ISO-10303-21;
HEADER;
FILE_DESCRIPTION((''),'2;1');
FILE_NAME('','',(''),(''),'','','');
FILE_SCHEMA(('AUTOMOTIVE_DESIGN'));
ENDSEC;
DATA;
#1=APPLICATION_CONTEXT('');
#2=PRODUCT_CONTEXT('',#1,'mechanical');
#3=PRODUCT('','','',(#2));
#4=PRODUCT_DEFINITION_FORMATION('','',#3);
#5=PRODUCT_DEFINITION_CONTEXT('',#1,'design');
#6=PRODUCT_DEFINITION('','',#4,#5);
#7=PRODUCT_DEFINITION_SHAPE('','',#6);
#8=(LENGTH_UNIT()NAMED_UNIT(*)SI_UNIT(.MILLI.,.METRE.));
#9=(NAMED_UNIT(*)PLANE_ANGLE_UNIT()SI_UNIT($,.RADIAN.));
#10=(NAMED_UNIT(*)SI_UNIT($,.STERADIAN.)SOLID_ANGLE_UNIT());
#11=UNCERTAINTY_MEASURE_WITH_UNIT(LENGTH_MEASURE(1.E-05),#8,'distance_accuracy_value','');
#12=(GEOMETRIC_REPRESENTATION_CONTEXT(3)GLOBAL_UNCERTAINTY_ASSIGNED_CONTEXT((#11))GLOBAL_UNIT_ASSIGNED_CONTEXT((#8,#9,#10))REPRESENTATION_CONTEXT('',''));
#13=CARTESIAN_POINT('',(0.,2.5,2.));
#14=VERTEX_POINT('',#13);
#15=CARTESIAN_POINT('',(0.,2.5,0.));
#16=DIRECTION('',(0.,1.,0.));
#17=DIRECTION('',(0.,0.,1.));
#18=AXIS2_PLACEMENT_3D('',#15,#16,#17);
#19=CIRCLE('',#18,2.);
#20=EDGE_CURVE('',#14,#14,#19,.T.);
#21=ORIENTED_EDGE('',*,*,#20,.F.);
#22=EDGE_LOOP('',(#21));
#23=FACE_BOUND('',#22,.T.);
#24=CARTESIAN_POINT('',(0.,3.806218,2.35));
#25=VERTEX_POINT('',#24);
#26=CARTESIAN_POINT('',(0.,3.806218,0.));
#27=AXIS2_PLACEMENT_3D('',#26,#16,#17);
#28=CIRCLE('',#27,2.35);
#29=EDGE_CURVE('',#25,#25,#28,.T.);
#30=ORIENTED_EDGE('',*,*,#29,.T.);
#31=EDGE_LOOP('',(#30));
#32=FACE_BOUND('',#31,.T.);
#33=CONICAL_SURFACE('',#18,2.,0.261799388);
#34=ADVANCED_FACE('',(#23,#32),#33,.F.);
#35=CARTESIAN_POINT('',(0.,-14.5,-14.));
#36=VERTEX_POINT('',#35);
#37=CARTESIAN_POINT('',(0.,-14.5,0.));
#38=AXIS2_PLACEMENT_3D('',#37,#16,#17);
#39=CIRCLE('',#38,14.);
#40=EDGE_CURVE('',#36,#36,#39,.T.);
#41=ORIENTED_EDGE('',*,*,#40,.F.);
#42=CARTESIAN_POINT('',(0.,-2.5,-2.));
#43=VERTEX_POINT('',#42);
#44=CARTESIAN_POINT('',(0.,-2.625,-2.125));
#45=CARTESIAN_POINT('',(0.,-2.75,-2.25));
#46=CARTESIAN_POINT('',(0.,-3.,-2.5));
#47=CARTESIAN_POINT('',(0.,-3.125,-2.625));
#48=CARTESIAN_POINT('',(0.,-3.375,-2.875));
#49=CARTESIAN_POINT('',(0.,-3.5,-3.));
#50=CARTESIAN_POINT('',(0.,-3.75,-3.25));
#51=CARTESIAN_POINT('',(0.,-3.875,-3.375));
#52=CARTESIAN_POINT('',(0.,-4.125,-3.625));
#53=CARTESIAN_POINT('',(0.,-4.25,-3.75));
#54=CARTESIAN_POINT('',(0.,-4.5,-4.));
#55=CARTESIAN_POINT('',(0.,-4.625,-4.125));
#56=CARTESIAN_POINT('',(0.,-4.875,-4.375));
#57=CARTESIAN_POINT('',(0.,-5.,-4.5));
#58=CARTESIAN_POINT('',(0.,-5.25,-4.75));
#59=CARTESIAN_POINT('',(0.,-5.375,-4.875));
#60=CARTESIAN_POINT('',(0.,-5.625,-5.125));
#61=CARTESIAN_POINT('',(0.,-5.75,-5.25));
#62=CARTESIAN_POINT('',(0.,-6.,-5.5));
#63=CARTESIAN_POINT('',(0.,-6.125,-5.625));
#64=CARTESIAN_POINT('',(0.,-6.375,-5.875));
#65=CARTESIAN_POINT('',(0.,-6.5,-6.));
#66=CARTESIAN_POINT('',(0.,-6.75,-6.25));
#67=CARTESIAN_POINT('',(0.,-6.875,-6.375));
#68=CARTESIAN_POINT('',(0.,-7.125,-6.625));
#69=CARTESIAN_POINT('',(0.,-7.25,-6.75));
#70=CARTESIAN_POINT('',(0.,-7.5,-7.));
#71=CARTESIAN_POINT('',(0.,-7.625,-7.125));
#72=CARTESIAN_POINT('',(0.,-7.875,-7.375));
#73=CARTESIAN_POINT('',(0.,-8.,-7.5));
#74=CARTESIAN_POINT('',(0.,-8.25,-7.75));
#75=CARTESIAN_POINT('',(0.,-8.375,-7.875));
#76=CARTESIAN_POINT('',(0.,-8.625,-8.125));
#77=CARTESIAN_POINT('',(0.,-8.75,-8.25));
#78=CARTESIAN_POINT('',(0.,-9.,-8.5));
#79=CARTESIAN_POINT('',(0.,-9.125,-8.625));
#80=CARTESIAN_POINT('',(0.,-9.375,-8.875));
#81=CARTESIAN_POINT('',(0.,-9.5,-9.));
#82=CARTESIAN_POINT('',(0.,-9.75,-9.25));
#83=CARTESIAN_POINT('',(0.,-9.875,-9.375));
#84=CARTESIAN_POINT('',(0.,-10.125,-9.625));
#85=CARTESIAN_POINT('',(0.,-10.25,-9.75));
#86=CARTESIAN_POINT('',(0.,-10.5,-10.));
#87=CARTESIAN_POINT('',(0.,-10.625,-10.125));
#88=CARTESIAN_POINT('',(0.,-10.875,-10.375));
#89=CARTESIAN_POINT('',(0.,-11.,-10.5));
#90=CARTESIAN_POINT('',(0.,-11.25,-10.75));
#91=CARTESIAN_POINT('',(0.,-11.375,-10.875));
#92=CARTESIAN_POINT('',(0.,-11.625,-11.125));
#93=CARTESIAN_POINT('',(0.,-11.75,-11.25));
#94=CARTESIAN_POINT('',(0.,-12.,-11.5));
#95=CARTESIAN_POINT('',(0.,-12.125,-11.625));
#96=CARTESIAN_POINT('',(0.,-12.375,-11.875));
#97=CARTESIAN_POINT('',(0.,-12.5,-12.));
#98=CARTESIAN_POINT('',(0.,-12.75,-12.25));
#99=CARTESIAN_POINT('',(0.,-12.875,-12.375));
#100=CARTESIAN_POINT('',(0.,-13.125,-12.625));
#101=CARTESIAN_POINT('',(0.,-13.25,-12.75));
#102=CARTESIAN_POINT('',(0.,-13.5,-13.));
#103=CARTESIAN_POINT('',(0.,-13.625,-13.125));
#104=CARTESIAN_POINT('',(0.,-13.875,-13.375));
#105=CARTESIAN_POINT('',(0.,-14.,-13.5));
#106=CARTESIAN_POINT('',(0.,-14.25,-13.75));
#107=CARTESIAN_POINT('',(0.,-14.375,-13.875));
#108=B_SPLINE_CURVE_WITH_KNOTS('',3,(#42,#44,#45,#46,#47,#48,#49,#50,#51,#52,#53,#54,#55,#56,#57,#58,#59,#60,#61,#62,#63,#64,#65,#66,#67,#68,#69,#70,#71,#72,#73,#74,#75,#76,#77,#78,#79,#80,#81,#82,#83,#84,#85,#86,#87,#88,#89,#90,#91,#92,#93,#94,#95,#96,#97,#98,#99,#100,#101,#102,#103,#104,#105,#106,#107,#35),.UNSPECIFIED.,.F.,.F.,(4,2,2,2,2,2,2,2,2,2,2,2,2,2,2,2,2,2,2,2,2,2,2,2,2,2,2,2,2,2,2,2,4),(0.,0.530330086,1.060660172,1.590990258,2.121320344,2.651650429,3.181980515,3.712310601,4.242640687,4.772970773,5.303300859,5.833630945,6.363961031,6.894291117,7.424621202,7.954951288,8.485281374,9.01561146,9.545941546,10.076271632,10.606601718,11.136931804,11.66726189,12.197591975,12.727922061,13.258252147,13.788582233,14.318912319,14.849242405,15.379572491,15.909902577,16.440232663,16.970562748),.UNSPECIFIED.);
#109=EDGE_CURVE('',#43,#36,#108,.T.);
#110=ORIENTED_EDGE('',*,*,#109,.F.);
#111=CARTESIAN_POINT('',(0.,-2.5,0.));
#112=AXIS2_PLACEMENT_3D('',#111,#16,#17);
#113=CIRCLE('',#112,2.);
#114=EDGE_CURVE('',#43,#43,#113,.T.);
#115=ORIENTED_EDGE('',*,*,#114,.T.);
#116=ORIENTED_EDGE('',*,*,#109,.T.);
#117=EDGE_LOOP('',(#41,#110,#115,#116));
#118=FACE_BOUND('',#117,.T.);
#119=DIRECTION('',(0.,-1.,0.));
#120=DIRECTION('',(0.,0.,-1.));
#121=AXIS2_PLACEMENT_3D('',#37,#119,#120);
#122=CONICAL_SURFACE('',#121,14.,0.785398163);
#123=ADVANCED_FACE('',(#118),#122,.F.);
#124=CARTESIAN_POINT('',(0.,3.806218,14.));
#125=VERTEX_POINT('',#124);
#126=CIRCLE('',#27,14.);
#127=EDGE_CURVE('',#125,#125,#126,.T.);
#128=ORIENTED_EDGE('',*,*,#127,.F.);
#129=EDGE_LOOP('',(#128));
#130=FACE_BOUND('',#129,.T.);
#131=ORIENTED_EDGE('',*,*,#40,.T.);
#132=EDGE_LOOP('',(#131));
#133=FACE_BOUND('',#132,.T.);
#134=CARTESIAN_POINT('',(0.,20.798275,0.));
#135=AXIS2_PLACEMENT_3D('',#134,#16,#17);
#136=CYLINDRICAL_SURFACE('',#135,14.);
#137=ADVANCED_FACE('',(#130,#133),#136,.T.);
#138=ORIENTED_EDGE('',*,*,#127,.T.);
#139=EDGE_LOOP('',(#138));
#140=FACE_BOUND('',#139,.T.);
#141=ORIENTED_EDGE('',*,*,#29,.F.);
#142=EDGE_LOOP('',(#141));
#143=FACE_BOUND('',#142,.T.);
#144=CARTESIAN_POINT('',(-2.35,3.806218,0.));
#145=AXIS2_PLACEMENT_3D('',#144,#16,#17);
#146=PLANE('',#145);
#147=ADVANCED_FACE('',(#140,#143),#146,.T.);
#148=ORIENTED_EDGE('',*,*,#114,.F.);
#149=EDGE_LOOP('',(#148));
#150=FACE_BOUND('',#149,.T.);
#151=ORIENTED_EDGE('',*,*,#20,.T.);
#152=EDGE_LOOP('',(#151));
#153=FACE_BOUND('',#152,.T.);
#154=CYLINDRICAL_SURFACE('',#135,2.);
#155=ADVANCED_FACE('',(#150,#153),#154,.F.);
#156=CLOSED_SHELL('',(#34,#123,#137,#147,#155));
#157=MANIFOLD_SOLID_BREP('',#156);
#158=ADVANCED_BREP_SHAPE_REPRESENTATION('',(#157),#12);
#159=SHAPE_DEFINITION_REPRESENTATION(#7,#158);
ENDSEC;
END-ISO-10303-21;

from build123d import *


with BuildPart() as part:
    # Sketch1 → Revolve1 (revolve)
    with BuildSketch(Plane.XY, mode=Mode.PRIVATE) as revolve1_sk:
        Polygon((-2, 2.5), (-2, -2.5), (-14, -14.5), (-14, 3.806217783), (-2.35, 3.806217783), align=None)
    revolve(revolve1_sk.sketch.rotate(Axis((0, 20.798274686, 0), (0, -1, 0)), 270), axis=Axis((0, 20.798274686, 0), (0, -1, 0)))


solid = part.part
